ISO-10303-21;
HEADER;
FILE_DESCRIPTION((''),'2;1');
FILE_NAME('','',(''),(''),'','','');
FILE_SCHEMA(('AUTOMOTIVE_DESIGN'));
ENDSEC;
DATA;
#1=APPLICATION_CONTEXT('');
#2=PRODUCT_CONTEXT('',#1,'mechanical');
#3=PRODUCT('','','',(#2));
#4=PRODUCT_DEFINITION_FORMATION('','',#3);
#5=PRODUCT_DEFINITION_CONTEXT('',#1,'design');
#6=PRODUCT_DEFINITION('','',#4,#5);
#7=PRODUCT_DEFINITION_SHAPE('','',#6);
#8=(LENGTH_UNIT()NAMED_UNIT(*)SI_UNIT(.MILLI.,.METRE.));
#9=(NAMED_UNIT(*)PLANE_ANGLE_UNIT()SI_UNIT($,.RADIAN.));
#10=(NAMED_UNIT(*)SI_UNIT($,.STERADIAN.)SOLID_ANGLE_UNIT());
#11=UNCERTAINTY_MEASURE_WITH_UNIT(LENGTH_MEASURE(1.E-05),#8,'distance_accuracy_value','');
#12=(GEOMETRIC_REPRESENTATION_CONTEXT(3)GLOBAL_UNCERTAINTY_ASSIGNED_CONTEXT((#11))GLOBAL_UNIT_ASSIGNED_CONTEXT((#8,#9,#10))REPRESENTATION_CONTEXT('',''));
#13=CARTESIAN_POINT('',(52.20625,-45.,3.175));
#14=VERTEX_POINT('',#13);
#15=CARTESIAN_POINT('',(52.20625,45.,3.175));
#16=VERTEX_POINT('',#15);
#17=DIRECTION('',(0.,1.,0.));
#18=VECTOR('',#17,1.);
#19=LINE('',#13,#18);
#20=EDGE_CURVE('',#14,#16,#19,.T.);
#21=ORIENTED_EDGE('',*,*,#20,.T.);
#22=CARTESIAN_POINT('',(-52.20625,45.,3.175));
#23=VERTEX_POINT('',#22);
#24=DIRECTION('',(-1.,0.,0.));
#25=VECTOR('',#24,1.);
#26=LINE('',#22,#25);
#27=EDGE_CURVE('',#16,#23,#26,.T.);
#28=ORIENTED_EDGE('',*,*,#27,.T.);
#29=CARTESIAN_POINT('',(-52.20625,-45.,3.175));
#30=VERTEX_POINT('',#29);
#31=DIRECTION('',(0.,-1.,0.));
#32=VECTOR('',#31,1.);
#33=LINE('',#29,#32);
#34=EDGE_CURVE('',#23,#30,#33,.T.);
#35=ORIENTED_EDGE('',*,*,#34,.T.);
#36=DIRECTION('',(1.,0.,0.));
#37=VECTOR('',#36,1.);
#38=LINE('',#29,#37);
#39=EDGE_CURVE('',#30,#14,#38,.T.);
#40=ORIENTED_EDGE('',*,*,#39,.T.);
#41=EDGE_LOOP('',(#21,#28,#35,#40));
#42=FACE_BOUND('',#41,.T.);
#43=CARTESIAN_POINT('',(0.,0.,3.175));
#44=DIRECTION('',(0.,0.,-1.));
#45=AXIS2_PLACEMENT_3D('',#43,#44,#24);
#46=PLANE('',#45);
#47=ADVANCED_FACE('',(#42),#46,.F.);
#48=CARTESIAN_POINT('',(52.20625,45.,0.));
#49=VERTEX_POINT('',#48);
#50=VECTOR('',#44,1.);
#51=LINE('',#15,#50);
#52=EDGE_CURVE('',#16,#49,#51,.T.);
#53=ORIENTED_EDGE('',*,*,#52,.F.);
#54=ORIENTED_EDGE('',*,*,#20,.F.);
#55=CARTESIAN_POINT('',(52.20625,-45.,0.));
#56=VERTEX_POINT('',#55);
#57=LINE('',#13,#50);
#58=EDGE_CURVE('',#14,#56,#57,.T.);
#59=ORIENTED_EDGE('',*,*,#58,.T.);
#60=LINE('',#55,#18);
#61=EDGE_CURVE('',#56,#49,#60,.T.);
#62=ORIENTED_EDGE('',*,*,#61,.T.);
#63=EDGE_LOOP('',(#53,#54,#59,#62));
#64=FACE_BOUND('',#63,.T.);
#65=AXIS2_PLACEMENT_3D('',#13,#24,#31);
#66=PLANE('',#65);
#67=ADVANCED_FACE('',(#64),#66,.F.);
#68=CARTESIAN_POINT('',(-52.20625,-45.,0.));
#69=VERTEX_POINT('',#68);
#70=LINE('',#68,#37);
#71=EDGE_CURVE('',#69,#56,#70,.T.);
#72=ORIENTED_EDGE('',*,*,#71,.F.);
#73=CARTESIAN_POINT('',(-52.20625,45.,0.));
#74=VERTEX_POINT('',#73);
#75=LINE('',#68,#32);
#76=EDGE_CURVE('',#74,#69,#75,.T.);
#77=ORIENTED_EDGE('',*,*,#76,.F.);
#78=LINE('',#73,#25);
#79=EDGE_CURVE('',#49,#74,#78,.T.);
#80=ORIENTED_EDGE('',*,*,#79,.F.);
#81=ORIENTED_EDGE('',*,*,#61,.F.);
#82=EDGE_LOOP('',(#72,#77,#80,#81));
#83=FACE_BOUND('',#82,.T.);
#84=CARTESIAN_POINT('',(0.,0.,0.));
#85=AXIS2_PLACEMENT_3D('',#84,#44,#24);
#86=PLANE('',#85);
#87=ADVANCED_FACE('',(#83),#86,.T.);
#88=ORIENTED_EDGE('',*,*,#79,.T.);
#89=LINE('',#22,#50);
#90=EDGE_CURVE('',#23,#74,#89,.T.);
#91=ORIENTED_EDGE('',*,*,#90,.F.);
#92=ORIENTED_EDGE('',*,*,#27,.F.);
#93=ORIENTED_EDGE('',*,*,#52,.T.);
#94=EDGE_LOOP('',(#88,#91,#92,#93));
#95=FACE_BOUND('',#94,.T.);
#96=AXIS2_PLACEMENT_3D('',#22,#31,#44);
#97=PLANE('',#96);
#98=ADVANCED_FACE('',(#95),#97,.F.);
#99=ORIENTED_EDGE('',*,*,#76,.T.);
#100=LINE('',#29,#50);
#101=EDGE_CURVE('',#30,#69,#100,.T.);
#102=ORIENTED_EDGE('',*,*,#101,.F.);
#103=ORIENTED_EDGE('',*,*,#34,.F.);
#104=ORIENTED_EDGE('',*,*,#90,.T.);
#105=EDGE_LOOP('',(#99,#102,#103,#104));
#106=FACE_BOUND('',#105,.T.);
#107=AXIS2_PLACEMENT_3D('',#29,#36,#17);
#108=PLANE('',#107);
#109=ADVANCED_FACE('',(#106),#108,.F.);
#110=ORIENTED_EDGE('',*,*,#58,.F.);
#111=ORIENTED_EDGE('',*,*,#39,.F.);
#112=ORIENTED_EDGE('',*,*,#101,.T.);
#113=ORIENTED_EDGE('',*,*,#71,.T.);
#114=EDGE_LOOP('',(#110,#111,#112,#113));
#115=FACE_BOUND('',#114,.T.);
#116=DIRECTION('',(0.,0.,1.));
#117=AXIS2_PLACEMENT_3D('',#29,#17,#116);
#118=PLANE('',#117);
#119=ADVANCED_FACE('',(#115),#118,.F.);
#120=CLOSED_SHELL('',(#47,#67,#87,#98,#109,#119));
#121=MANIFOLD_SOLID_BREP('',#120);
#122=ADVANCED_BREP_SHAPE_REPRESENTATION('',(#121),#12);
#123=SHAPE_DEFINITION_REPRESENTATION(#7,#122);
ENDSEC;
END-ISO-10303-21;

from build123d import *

# Parameters (mm, degrees)
ESBO_O1_W                = 104.4125
ESBO_O1_H                = 90
RESSALTO_EXTRUS_O1_DEPTH = 3.175


with BuildPart() as part:
    # Esboço1 → Ressalto-extrusão1 (new body)
    with BuildSketch(Plane.XY):
        Rectangle(ESBO_O1_W, ESBO_O1_H)
    extrude(amount=RESSALTO_EXTRUS_O1_DEPTH)


solid = part.part
